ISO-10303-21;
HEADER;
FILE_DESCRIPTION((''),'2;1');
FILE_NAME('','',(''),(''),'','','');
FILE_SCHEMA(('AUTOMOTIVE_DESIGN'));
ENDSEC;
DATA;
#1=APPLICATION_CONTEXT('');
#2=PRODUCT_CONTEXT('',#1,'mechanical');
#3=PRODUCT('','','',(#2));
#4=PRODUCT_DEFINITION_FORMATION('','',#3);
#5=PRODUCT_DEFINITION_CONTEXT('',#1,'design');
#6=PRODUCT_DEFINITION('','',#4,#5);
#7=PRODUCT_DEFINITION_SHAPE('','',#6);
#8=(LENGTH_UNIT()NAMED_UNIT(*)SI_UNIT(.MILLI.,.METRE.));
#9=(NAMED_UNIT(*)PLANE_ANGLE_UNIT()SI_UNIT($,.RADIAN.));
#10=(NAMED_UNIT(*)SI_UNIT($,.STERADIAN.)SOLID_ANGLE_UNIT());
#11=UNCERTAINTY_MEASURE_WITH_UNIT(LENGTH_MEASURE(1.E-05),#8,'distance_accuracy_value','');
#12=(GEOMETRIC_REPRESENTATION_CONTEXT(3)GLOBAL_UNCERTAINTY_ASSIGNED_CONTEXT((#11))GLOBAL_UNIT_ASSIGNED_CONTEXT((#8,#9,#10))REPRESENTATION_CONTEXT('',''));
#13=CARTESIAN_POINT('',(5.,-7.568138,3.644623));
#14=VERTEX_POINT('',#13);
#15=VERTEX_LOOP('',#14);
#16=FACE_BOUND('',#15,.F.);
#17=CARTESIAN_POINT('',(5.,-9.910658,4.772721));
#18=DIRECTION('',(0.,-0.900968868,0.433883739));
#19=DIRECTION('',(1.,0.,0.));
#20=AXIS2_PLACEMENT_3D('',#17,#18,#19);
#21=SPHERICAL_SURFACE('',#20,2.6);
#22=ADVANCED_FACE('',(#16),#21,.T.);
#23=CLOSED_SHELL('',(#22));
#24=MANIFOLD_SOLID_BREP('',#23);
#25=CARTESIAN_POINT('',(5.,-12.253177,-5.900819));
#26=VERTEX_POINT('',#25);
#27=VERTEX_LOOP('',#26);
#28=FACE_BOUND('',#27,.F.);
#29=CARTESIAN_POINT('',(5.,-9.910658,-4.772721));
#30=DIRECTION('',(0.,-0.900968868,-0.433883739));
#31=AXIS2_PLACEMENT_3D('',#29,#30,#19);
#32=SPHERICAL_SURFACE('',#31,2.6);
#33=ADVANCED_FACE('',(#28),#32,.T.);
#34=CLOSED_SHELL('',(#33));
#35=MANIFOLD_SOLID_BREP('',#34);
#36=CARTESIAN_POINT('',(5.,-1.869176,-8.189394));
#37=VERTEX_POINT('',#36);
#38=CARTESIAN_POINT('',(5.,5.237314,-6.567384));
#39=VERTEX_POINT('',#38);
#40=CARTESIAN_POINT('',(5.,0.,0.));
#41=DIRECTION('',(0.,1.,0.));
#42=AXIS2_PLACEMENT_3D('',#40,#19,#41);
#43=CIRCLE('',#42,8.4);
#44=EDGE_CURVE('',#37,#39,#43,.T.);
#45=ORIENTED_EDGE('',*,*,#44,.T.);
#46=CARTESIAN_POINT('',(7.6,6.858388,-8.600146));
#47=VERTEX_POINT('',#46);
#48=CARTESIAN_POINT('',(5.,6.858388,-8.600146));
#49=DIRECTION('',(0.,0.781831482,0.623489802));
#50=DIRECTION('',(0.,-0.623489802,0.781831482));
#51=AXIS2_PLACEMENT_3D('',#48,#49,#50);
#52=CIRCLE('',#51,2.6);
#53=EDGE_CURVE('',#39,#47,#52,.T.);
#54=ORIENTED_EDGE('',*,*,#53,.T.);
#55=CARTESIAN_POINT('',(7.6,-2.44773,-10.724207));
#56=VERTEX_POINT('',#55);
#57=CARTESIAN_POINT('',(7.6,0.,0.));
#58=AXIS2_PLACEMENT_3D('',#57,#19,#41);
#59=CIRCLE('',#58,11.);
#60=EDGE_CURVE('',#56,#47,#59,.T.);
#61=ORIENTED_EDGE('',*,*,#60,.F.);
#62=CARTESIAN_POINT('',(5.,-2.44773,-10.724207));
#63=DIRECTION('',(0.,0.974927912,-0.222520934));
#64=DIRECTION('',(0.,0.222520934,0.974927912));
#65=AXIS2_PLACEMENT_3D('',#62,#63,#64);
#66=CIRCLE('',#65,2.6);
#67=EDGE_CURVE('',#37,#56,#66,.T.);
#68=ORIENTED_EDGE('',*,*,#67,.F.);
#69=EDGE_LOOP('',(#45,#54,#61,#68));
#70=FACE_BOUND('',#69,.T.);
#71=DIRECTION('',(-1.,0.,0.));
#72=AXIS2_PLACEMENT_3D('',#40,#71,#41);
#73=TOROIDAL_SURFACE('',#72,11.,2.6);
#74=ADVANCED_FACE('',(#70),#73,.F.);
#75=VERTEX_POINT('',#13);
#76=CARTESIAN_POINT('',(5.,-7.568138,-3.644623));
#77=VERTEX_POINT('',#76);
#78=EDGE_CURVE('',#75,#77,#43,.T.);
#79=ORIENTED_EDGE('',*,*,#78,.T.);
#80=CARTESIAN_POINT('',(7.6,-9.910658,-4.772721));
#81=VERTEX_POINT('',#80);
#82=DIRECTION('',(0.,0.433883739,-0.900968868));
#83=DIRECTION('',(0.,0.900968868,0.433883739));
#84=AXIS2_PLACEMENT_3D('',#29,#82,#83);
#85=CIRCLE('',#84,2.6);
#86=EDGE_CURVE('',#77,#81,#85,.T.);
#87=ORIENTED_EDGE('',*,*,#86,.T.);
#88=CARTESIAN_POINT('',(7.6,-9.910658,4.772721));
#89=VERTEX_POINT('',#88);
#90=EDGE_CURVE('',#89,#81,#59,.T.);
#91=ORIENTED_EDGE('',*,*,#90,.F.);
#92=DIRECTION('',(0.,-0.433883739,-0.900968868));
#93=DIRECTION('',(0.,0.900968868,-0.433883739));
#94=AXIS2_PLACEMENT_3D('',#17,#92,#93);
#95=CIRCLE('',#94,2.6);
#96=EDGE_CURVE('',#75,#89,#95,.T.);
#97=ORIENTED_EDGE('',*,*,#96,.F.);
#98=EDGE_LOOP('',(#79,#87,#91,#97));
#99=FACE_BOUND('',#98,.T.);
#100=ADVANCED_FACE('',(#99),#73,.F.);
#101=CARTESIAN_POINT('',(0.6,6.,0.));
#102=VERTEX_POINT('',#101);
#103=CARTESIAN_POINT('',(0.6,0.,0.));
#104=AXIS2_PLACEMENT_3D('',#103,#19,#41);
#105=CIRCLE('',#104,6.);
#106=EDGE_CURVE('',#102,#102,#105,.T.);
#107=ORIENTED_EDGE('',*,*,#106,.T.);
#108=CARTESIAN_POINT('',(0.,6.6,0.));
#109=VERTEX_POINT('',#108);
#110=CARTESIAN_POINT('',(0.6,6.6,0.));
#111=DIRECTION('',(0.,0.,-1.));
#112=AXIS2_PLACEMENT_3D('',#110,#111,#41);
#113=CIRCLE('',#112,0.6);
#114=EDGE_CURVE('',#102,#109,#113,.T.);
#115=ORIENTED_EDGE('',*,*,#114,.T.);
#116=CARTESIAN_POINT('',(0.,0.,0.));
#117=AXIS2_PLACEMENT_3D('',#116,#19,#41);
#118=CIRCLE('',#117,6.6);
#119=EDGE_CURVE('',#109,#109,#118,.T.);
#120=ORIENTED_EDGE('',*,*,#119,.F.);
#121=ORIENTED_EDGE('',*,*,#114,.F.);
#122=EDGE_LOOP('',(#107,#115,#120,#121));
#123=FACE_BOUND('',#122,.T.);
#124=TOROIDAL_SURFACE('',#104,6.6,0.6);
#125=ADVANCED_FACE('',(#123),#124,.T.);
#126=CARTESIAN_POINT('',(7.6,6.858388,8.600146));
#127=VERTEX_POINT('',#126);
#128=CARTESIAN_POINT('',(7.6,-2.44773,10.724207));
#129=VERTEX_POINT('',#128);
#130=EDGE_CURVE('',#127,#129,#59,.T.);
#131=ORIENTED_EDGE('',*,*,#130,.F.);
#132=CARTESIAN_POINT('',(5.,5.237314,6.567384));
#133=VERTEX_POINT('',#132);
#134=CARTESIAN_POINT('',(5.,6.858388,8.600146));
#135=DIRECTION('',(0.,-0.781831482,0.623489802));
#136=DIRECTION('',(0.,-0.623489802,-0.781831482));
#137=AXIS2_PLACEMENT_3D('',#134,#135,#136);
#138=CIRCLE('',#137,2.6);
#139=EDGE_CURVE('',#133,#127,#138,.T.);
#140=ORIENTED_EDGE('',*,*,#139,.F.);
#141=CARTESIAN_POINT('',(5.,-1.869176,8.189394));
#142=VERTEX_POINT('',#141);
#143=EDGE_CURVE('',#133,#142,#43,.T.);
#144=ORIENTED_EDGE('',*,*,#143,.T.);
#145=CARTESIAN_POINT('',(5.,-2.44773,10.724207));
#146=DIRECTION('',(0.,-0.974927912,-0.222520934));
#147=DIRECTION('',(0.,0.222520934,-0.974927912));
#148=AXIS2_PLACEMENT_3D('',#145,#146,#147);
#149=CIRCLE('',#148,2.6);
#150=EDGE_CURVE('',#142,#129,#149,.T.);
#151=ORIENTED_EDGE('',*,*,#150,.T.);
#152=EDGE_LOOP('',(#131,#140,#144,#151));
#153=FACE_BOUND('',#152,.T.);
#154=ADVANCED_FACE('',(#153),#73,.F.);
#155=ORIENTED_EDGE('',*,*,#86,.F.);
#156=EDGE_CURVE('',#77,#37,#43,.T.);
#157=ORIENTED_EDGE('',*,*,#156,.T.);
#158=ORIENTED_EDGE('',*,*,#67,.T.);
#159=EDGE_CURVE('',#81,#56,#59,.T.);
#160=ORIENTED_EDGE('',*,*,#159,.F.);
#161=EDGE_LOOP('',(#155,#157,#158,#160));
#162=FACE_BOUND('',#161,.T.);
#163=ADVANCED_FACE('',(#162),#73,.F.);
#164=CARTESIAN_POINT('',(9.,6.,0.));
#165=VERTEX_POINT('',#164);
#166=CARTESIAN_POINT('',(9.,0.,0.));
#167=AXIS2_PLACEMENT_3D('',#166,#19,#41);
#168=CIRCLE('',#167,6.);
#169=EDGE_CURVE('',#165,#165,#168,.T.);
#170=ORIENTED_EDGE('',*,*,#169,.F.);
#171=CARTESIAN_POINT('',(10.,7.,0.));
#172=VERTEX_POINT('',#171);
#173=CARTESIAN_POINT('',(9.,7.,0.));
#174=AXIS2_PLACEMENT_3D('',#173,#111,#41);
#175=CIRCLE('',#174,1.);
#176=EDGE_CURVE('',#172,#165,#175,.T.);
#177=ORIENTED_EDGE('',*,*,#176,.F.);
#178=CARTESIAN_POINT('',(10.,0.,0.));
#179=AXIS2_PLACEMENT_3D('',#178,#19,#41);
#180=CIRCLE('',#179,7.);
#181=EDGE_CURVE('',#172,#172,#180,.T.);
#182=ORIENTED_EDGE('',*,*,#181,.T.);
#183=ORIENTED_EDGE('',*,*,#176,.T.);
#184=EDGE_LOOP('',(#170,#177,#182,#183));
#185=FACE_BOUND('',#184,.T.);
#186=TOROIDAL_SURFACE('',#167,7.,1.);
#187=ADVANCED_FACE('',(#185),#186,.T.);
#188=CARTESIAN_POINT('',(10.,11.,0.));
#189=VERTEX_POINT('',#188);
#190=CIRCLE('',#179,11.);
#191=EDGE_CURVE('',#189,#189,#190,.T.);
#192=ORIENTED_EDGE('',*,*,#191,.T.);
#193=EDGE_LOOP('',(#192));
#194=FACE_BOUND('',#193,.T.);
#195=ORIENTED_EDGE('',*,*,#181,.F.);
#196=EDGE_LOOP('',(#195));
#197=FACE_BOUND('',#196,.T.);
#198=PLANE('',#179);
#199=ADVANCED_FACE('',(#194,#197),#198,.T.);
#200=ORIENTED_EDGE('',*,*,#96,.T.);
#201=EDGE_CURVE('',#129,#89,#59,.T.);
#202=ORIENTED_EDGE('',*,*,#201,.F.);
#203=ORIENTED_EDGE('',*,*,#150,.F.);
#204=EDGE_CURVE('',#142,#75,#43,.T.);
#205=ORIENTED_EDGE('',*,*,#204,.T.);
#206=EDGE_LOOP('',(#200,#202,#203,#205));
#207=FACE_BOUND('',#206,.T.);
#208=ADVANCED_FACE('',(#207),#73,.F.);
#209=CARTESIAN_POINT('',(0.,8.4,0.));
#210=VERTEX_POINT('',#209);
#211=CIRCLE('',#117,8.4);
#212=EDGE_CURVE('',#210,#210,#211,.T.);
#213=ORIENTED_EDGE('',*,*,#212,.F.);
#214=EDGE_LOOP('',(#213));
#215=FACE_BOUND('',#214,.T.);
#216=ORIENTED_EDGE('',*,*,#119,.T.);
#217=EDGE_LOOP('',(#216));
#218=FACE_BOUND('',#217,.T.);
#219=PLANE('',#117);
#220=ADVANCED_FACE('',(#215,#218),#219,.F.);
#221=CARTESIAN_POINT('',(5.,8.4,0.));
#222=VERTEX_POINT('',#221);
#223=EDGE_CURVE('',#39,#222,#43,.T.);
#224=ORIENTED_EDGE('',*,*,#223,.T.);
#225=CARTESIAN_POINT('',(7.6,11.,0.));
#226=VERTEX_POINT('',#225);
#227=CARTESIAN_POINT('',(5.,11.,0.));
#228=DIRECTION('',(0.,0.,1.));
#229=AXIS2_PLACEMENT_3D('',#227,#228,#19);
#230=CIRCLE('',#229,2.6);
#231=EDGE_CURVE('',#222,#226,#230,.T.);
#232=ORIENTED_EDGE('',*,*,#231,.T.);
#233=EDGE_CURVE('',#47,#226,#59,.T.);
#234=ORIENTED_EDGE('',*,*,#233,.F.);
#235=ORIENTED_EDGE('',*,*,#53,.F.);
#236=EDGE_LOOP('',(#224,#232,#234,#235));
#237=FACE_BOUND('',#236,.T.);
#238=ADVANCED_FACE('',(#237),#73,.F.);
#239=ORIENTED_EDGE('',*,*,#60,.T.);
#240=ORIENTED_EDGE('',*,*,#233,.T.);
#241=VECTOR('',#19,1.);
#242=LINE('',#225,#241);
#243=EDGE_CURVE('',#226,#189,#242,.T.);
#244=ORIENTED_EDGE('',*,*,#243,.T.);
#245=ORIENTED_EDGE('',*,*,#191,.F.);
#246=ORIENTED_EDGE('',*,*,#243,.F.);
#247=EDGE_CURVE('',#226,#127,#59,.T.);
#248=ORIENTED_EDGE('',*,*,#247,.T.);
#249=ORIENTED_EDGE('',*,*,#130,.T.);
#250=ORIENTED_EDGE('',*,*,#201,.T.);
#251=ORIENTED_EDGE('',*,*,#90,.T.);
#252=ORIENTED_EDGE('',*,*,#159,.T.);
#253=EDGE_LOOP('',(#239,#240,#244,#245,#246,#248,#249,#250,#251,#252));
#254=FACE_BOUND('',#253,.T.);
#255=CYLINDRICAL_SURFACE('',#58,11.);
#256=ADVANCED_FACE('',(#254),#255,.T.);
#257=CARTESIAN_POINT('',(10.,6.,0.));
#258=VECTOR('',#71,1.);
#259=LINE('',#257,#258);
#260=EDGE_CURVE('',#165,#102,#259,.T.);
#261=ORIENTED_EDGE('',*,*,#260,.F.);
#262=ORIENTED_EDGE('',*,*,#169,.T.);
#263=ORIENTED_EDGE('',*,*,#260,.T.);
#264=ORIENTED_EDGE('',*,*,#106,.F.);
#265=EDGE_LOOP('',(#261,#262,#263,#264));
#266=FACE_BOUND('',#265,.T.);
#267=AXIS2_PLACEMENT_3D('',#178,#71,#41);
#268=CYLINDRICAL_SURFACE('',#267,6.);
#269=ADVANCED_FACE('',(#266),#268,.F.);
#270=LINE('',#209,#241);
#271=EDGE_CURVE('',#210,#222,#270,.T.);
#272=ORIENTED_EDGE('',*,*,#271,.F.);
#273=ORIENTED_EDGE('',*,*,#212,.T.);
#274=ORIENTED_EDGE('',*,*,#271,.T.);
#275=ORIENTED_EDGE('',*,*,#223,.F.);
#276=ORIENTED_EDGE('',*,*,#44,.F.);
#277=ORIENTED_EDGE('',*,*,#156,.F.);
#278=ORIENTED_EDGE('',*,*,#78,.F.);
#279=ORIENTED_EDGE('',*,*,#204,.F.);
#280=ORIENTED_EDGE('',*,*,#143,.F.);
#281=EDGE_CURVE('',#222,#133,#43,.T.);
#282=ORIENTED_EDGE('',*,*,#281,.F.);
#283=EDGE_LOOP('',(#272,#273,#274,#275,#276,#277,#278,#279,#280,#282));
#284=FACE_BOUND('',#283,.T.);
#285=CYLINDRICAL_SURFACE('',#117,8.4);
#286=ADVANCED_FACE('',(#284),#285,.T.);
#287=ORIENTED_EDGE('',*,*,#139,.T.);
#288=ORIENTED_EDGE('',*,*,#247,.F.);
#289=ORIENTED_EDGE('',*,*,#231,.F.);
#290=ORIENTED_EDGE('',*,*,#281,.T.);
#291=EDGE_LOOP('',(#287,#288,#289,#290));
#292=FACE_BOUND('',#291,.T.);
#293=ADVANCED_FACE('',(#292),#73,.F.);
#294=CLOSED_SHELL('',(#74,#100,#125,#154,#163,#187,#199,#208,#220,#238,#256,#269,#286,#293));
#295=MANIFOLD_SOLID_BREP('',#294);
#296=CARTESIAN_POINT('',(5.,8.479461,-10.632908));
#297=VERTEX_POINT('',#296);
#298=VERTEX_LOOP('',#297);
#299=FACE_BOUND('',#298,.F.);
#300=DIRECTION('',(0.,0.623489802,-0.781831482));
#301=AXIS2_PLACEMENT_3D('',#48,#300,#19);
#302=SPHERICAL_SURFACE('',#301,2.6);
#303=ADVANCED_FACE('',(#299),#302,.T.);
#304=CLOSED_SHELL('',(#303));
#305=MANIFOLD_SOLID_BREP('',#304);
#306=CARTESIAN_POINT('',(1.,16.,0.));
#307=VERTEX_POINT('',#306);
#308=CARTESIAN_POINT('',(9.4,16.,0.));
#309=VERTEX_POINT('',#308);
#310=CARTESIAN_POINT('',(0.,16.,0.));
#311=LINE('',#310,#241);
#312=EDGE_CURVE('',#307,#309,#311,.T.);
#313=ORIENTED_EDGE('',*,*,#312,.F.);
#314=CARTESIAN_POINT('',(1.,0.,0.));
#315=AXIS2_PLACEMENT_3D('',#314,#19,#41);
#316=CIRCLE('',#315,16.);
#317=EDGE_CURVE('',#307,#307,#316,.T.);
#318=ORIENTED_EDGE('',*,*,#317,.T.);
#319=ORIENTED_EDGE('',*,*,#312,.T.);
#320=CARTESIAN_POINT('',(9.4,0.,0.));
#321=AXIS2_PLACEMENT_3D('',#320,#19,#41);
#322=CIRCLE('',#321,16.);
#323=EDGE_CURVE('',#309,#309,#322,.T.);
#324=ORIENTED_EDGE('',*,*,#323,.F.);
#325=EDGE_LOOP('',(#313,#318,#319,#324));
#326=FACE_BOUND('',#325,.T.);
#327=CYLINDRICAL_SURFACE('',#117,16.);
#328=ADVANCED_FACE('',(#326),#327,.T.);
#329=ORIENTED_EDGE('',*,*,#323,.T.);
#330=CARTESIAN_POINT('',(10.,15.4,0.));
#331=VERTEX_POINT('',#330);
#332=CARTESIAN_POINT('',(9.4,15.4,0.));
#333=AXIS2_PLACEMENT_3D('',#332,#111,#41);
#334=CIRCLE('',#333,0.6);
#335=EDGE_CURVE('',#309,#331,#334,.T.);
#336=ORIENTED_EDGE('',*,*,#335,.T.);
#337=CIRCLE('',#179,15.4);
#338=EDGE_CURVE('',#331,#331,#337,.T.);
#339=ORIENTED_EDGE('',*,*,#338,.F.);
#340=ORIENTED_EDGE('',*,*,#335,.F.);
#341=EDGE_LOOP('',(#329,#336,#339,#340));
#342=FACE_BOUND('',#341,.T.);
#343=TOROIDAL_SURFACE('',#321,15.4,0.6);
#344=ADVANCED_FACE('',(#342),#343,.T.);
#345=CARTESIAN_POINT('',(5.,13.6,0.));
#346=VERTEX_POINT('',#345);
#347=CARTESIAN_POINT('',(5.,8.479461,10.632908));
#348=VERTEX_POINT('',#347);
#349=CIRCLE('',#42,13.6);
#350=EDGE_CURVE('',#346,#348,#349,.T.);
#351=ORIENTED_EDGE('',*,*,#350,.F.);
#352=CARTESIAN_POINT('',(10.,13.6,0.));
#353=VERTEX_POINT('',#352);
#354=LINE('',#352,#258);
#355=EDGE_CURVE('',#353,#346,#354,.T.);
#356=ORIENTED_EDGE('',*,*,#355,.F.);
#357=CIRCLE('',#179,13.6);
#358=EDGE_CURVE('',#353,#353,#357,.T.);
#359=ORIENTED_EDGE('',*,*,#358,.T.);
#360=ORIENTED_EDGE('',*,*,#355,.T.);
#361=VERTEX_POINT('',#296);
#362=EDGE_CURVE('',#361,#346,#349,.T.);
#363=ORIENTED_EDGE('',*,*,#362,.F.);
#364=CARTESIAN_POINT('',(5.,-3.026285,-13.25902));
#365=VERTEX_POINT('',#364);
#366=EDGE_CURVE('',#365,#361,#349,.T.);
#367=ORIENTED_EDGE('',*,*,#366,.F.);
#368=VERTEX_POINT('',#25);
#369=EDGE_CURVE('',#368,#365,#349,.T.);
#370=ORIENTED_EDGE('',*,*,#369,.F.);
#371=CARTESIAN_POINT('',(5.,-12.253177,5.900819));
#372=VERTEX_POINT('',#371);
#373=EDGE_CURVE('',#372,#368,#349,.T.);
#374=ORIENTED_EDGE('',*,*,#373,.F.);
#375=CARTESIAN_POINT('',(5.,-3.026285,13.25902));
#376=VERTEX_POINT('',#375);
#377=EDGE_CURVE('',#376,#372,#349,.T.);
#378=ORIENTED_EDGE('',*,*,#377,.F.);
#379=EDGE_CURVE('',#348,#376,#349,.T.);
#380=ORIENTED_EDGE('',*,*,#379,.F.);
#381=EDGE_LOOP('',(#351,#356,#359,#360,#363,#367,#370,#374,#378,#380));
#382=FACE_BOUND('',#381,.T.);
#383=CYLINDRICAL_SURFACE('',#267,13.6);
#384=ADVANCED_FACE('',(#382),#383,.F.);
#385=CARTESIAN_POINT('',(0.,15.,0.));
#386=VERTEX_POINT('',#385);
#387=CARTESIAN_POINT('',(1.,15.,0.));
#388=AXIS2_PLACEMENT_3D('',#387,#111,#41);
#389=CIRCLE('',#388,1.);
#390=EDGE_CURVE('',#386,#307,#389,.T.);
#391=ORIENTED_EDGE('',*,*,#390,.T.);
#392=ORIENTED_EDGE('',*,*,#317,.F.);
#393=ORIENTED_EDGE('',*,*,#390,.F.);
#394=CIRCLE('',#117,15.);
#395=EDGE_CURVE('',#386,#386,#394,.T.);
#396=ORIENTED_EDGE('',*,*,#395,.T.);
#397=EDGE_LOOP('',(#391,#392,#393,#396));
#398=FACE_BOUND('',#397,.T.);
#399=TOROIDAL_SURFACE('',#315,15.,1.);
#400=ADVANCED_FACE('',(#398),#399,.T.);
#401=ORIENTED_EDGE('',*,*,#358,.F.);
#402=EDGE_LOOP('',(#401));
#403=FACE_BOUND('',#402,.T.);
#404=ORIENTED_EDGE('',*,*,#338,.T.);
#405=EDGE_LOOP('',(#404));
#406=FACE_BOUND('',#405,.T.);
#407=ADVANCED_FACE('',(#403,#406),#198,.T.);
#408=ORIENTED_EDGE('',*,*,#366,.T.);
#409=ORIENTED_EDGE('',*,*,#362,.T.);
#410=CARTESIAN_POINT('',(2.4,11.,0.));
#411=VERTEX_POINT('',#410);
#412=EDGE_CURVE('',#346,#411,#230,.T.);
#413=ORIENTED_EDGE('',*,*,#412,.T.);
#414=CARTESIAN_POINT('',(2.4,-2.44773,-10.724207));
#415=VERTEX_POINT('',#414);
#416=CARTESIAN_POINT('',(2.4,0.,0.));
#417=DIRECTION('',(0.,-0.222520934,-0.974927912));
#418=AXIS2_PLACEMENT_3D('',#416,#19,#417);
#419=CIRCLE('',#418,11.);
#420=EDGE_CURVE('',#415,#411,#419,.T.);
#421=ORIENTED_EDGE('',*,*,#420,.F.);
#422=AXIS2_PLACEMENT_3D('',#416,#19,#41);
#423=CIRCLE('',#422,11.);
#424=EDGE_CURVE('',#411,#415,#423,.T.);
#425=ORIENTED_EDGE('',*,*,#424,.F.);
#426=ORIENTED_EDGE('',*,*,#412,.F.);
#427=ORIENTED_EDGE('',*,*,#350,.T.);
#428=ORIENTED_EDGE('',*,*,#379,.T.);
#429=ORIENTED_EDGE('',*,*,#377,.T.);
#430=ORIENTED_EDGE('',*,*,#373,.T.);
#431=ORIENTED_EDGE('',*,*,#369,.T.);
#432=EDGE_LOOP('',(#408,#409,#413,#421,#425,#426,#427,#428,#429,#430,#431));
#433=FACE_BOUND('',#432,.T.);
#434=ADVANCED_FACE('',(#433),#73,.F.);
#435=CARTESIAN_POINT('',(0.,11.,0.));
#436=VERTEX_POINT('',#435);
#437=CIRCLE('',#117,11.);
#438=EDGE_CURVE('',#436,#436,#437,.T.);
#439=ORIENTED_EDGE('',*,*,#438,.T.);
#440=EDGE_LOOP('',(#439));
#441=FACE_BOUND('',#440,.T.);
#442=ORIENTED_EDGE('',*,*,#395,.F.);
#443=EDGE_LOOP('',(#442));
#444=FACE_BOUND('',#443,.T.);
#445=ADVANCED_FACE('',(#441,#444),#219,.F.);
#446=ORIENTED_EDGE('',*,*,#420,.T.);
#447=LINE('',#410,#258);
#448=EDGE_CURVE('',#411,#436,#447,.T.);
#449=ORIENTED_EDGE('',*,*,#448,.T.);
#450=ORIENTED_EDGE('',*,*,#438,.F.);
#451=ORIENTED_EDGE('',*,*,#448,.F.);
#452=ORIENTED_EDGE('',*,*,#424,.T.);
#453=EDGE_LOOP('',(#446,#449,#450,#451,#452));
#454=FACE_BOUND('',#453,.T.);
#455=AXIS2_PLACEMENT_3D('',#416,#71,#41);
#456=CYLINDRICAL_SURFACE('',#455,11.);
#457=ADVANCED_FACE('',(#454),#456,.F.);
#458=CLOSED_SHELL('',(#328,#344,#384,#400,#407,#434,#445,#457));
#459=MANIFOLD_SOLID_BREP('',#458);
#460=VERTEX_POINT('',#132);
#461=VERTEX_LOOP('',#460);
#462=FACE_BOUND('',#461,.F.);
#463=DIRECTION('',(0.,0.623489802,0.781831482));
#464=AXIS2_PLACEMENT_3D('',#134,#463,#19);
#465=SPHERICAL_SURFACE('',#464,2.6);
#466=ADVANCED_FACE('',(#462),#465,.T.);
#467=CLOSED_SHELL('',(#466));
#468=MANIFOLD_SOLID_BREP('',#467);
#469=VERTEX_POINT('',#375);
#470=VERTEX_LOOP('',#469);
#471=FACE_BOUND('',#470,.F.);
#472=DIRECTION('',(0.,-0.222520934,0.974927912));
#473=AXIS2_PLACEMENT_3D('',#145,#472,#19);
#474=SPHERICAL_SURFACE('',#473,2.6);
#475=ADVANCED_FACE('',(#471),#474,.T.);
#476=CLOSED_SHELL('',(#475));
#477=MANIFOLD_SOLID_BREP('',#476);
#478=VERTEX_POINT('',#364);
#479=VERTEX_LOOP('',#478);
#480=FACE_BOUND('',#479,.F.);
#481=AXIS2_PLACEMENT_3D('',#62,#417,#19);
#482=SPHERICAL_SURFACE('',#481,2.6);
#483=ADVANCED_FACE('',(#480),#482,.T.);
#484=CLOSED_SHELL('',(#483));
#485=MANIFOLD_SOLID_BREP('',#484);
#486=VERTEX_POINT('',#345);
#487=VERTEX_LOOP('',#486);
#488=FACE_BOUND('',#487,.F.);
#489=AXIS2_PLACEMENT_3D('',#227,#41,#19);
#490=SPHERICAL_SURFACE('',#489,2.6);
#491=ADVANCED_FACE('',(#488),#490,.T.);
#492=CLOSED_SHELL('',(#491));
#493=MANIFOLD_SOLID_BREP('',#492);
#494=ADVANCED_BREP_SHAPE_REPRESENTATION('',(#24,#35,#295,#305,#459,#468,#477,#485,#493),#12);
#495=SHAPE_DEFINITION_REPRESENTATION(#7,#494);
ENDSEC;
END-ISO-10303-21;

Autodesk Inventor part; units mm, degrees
ref_plane "YZ Plane" through (0, 0, 0) normal (1, 0, 0) x (0, 1, 0)
ref_plane "XZ Plane" through (0, 0, 0) normal (0, 1, 0) x (-1, 0, 0)
ref_plane "XY Plane" through (0, 0, 0) normal (0, 0, 1) x (1, 0, 0)
sketch "草图1" plane through (0, 0, 0) normal (0, 0, 1) x (1, 0, 0)
  line L0 (0, -17) -> (0, 102) projected
  line L1 (-6.4, 0) -> (38.4, 0) projected
  circle A0 centre (5, 11) radius 2.6
  line L2 (2.4, 11) -> (7.6, 11)
  line L3 (5, 13.6) -> (5, 8.4)
  line L4 (7.6, 11) -> (10, 11)
  line L5 (10, 11) -> (10, 6)
  line L6 (10, 6) -> (0, 6)
  line L7 (0, 6) -> (0, 8.4)
  line L8 (0, 8.4) -> (5, 8.4)
  line L9 (2.4, 11) -> (0, 11)
  line L10 (0, 11) -> (0, 16)
  line L11 (0, 16) -> (10, 16)
  line L12 (10, 16) -> (10, 13.6)
  line L13 (10, 13.6) -> (5, 13.6)
  point P0 (0, 0)
  dimension "d0" = 12
  dimension "d1" = 32
  dimension "d2" = 10
  dimension "d3" = 5.2
revolve "旋转1" add sketch "草图1" angle 360 about axis through (-10, 0, 0) along (1, 0, 0) contours L0 L8 A0 L4 L5 L6 | L0 L11 L12 L13 A0 L9
fillet "圆角1" radius 1 2 edges at (10, -6, 0) (0, -16, 0)
fillet "圆角2" radius 0.6 2 edges at (10, -16, 0) (0, -6, 0)
revolve "旋转2" add sketch "草图1" angle 360 about axis through (5, 13.6, 0) along (0, -1, 0) picked at (6.7116, 10.8071) picked at (5.9164, 12.4584) contours L3 L2 A0 | L2 L3 A0
pattern_circular "环形阵列1" count 7 over 360 about axis through (5, 0, 0) along (1, 0, 0) of "旋转2"
equation "\"d5\" = r"
equation "\"d6\" = r1"
equation "\"d0\" = d_"
equation "\"d1\" = D"
equation "\"d2\" = B"
equation "\"d3\" = -0.26 * d_ + 0.26 * D"
equation "\"d_\" = 12"
equation "\"D\" = 32"
equation "\"B\" = 10"
equation "\"r\" = 1"
equation "\"r1\" = 0.6"
properties part number "760201 Rolling bearing JB/T 8564-1997" material "Steel, Mild"
